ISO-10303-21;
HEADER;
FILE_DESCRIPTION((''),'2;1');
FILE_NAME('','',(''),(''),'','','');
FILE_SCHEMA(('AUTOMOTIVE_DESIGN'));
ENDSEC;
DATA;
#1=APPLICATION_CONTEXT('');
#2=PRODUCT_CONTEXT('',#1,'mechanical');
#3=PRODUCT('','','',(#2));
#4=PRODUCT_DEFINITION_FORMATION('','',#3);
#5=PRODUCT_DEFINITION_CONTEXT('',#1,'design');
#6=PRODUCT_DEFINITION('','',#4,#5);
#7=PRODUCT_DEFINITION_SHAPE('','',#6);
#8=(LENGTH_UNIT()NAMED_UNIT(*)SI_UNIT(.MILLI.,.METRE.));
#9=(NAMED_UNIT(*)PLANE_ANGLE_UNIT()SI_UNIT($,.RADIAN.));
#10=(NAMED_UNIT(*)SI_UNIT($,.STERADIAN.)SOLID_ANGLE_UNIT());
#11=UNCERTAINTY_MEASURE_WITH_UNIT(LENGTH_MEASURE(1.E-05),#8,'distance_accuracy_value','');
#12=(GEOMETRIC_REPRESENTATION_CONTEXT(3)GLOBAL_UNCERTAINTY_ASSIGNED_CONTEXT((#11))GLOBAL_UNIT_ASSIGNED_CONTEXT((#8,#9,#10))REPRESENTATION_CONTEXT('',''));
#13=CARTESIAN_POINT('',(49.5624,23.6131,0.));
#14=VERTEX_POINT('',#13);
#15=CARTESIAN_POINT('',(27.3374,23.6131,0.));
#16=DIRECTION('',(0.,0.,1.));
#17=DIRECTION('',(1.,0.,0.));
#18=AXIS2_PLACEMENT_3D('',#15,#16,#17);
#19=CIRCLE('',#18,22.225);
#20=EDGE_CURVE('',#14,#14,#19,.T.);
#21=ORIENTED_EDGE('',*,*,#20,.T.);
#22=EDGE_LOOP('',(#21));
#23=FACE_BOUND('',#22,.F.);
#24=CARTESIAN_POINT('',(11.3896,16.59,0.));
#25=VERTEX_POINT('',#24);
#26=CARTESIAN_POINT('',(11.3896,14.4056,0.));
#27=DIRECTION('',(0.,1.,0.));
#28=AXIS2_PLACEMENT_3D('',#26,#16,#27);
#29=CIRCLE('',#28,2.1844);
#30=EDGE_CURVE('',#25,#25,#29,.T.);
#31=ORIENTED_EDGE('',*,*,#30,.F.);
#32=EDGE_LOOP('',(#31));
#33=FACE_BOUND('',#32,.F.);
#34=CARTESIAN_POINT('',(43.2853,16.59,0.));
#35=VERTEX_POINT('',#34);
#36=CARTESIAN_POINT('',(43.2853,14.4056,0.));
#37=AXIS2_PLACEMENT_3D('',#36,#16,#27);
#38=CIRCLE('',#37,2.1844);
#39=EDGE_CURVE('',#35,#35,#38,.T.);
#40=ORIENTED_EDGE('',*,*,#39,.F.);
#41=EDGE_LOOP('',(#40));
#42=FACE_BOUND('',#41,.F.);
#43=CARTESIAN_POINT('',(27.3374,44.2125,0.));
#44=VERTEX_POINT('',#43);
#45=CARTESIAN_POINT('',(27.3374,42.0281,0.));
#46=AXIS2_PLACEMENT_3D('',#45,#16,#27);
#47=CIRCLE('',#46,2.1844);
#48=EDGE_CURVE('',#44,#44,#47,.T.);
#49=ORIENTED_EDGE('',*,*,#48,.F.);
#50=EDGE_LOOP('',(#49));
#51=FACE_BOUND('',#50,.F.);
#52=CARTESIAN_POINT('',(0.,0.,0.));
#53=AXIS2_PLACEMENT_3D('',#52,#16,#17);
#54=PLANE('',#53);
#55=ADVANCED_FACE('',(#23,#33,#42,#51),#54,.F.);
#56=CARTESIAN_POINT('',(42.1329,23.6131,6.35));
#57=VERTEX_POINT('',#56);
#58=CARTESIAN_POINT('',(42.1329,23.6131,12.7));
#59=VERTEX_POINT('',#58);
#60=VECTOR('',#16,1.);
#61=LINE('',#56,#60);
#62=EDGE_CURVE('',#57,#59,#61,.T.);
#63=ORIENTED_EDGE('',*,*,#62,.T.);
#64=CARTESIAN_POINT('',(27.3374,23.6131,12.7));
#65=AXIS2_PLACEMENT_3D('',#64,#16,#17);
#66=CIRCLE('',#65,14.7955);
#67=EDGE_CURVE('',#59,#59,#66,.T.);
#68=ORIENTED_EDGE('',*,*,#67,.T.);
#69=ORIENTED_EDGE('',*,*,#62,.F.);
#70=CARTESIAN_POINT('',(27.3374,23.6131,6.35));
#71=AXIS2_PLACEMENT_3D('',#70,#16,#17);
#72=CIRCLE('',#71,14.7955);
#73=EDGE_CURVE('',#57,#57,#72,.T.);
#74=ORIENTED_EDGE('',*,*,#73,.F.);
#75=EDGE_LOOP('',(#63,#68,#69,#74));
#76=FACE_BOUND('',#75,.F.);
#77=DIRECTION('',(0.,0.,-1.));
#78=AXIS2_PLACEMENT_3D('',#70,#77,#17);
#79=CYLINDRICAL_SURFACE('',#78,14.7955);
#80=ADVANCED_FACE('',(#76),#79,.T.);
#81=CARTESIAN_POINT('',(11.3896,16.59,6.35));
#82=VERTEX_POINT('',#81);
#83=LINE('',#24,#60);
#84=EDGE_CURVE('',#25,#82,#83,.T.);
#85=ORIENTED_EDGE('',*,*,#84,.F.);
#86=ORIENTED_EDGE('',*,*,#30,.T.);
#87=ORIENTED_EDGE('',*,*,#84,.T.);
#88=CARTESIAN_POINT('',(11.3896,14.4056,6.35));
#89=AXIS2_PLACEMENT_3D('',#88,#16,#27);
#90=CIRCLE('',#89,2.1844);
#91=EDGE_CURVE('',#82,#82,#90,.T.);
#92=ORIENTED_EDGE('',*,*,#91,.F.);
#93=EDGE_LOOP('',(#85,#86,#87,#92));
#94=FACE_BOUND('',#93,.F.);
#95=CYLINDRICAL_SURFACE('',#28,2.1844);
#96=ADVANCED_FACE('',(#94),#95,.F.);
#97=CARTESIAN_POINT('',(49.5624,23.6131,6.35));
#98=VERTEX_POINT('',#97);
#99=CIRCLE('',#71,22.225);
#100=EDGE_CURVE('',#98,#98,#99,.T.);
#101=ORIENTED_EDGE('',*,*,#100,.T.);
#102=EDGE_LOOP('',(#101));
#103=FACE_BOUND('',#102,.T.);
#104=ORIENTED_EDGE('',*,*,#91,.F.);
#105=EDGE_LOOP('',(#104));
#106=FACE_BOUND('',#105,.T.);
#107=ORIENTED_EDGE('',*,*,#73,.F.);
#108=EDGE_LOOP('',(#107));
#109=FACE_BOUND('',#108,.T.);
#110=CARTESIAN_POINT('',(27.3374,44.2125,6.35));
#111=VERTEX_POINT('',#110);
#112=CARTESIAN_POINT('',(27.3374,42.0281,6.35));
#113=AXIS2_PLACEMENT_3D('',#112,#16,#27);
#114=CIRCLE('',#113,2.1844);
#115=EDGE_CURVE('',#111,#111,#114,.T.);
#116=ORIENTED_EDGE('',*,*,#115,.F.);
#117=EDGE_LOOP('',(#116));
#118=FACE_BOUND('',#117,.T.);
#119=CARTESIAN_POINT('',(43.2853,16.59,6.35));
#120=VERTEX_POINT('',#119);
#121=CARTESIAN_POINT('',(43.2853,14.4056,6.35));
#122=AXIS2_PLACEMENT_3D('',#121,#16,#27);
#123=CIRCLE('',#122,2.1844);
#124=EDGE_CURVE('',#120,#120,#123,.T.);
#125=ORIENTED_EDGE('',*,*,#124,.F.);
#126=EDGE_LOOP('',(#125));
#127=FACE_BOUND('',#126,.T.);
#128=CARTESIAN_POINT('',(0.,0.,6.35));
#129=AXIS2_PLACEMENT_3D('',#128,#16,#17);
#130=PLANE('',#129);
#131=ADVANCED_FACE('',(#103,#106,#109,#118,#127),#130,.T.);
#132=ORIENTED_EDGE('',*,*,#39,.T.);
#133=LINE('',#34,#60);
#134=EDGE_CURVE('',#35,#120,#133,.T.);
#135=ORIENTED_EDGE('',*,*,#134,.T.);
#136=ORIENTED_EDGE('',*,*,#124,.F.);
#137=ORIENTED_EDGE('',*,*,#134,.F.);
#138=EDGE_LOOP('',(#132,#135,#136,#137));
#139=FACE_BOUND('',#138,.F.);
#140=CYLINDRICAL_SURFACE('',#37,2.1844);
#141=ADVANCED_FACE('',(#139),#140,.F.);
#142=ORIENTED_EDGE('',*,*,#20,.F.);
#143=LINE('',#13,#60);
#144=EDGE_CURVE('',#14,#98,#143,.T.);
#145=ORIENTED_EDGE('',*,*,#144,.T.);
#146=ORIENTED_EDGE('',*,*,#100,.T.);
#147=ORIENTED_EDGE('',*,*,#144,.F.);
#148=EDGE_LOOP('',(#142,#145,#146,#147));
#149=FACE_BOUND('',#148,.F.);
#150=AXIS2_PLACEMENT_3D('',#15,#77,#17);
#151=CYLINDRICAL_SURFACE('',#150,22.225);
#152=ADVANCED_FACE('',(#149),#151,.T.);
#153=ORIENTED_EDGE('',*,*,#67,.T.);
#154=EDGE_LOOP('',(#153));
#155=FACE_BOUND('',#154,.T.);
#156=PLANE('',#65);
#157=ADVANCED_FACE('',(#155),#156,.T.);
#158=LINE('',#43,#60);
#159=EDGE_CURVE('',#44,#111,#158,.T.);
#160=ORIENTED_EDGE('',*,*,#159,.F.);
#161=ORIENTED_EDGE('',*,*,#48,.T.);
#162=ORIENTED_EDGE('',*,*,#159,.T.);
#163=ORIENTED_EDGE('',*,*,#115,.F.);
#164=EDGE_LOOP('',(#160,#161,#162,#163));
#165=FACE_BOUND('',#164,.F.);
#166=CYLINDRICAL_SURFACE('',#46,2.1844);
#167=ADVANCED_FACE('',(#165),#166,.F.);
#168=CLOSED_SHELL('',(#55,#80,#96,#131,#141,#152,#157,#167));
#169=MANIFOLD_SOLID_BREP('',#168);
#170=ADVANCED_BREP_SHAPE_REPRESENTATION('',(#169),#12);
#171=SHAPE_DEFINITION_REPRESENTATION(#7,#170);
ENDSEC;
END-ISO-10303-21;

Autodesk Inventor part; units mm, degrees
ref_plane "YZ Plane" through (0, 0, 0) normal (1, 0, 0) x (0, 1, 0)
ref_plane "XZ Plane" through (0, 0, 0) normal (0, 1, 0) x (-1, 0, 0)
ref_plane "XY Plane" through (0, 0, 0) normal (0, 0, 1) x (1, 0, 0)
sketch "Sketch1" plane through (0, 0, 0) normal (0, 0, 1) x (1, 0, 0)
  circle A0 centre (27.3374, 23.6131) radius 22.225
  point P0 (0, 0)
  dimension "d0" = 44.45
extrude "Extrusion1" add sketch "Sketch1" along normal blind 6.35
sketch "Sketch2" plane through (27.3374, 23.6131, 6.35) normal (0, 0, 1) x (1, 0, 0)
  circle A0 centre (0, 0) radius 14.7955
  point P0 (-27.3374, -23.6131)
  dimension "d3" = 29.591
extrude "Extrusion2" add sketch "Sketch2" along normal blind 6.35
sketch "Sketch4" plane through (27.3374, 23.6131, 0) normal (0, 0, -1) x (-1, 0, 0)
  circle A0 centre (0, 0) radius 18.415
  circle A1 centre (0, 18.415) radius 2.1844
  circle A2 centre (15.9479, -9.2075) radius 2.1844
  circle A3 centre (-15.9479, -9.2075) radius 2.1844
  point P0 (27.3374, -23.6131)
  dimension "d14" = 360
hole "Hole1" at (27.3374, 42.0281, 0) at (43.2853, 14.4056, 0) at (11.3896, 14.4056, 0) direction (0, 0, 1) diameter 4.3688 depth 25.4 tip angle 118
properties part number "7.1 Part 6"
